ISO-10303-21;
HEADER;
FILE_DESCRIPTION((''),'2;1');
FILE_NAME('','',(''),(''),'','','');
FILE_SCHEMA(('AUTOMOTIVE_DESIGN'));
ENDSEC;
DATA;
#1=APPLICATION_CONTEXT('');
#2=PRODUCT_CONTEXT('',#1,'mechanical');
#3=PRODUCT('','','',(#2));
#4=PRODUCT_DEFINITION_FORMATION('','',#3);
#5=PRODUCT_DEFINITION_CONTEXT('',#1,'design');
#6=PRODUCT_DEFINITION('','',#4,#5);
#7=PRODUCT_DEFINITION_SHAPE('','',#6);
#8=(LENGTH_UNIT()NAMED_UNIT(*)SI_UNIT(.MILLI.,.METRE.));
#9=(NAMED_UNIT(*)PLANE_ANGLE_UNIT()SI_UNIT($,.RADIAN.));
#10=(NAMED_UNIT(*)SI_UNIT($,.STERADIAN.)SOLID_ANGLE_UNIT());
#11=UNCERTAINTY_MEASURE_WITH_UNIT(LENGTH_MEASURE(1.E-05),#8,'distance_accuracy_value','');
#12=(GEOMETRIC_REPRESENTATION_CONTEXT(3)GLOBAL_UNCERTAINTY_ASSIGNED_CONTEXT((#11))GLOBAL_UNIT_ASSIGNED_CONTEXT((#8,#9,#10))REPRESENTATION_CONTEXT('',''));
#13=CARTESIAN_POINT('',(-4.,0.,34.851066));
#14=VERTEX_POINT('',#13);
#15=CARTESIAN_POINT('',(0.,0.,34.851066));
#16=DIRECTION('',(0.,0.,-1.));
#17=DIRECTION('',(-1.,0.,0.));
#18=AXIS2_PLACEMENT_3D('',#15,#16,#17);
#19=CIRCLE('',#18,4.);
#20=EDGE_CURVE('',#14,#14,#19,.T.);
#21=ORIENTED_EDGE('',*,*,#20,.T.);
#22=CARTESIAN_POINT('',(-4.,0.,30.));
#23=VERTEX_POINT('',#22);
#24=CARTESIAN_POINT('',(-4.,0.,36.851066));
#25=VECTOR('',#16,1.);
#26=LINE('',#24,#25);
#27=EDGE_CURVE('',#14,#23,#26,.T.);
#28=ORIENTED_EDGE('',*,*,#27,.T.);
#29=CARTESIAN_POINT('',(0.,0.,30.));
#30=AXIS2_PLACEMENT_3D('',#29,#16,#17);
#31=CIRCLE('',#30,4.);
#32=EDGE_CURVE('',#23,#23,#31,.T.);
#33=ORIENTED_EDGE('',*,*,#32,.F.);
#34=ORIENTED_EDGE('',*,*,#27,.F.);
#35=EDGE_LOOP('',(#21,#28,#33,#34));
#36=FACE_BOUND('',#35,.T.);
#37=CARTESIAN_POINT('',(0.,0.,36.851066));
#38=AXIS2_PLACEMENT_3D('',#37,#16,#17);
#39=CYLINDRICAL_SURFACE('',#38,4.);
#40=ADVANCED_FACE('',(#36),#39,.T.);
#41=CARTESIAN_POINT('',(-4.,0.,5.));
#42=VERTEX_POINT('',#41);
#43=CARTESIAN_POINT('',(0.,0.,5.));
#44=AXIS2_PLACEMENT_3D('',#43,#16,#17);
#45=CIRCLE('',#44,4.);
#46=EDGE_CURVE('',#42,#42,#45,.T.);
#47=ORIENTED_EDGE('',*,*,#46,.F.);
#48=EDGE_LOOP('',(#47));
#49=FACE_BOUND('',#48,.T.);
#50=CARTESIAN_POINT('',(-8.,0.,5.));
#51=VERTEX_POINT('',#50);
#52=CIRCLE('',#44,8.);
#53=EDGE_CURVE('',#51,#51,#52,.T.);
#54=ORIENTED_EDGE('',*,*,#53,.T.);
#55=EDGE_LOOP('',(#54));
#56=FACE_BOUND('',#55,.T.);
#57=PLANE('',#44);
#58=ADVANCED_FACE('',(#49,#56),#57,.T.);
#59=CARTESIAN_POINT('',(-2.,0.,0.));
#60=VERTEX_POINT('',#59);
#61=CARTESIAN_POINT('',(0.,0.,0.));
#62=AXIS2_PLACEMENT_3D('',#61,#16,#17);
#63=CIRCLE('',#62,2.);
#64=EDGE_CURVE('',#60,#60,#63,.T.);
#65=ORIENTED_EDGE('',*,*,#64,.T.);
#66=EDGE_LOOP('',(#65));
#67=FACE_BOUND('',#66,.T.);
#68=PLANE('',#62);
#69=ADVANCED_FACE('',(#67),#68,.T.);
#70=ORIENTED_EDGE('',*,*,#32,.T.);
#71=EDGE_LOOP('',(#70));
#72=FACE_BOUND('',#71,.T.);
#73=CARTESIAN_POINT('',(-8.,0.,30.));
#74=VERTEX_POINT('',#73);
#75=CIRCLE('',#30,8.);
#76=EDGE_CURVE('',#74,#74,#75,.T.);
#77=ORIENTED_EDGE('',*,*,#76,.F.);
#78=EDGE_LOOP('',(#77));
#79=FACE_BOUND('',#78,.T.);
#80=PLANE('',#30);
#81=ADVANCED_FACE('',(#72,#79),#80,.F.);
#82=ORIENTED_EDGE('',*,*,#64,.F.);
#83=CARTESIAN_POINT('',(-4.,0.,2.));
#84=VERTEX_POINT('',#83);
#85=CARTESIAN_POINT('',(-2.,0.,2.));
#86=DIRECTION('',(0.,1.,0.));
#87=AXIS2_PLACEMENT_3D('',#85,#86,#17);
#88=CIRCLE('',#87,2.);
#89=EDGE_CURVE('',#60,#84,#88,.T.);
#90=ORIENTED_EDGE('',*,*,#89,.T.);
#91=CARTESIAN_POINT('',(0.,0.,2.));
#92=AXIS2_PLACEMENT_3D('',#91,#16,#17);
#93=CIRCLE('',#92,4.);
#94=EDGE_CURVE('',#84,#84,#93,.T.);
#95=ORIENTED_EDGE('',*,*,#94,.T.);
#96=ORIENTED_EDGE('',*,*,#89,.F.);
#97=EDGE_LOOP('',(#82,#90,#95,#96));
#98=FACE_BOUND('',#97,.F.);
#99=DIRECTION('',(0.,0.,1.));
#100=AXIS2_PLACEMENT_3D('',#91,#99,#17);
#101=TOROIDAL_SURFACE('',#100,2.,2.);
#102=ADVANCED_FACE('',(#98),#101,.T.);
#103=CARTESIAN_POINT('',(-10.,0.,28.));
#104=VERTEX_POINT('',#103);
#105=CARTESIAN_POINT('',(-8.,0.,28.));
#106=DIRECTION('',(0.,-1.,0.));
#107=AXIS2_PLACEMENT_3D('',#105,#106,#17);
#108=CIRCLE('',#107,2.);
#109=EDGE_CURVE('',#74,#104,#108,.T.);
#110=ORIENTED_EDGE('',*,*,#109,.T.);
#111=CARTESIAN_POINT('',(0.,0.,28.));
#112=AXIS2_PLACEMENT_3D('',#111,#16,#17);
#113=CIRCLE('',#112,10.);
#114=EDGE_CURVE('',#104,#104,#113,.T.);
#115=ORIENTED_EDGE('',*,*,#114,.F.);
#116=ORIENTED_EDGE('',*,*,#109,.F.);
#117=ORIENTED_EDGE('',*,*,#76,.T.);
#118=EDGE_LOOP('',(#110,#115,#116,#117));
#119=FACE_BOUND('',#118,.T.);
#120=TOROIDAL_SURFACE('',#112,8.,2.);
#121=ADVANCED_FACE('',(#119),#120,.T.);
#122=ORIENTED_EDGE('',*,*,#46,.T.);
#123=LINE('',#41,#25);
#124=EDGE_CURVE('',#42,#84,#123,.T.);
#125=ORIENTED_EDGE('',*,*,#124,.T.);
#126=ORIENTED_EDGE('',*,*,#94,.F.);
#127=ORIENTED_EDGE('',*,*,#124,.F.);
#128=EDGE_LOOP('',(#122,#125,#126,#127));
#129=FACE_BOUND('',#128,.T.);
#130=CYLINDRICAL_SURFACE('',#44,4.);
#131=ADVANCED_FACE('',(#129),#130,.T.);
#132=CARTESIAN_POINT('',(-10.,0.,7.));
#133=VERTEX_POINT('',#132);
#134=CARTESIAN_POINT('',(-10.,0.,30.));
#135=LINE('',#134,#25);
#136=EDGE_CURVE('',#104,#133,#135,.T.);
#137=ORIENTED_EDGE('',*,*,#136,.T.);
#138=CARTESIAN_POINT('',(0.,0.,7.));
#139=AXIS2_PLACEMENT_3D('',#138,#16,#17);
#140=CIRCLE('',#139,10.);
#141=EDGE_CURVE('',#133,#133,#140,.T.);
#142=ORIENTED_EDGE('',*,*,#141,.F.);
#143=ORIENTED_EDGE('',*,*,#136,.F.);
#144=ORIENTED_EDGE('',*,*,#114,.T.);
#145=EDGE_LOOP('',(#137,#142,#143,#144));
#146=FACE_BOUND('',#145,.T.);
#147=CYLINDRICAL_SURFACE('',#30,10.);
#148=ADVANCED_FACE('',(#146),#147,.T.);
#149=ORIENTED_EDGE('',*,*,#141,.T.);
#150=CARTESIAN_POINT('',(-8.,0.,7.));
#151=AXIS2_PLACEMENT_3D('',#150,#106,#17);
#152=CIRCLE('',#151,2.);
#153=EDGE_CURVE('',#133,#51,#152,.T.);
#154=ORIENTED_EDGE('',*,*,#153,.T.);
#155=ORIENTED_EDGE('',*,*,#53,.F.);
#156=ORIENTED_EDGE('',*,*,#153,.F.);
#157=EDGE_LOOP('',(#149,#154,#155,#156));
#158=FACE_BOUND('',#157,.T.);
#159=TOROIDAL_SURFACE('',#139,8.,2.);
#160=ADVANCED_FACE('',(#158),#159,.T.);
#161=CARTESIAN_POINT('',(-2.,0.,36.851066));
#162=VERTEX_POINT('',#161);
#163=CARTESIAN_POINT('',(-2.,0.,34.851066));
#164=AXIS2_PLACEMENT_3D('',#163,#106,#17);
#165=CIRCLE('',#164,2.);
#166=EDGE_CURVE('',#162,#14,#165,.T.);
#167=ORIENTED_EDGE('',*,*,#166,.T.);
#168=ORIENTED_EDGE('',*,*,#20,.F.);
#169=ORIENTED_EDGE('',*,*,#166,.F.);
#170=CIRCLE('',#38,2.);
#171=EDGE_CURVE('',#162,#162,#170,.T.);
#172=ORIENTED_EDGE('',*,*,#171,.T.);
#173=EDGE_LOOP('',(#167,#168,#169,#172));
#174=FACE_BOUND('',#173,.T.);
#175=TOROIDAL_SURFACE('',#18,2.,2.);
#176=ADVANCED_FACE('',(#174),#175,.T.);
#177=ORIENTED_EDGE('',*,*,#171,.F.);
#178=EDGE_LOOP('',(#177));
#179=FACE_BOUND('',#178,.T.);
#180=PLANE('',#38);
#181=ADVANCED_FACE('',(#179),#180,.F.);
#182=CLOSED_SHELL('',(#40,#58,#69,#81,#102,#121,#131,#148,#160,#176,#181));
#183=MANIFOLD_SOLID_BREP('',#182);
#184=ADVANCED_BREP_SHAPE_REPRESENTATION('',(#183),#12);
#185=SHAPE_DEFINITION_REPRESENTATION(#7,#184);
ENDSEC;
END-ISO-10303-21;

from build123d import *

# Parameters (mm, degrees)
F2_R = 2


with BuildPart() as f1:
    # F0 (on Front) → F1 (revolve)
    with BuildSketch(Plane.XZ):
        Polygon((-4, 0), (0, 0), (0, 36.851066), (-4, 36.851066), (-4, 30), (-10, 30), (-10, 5), (-4, 5), align=None)
    revolve(axis=Axis((0, 0, 18.425533), (0, 0, -1)))

    # F2
    f2_edges = [f1.edges().sort_by_distance(p)[0] for p in [
        (10, 0, 30),
        (10, 0, 5),
        (4, 0, 0),
        (4, 0, 36.851066),
    ]]
    fillet(f2_edges, radius=F2_R)


solid = f1.part
